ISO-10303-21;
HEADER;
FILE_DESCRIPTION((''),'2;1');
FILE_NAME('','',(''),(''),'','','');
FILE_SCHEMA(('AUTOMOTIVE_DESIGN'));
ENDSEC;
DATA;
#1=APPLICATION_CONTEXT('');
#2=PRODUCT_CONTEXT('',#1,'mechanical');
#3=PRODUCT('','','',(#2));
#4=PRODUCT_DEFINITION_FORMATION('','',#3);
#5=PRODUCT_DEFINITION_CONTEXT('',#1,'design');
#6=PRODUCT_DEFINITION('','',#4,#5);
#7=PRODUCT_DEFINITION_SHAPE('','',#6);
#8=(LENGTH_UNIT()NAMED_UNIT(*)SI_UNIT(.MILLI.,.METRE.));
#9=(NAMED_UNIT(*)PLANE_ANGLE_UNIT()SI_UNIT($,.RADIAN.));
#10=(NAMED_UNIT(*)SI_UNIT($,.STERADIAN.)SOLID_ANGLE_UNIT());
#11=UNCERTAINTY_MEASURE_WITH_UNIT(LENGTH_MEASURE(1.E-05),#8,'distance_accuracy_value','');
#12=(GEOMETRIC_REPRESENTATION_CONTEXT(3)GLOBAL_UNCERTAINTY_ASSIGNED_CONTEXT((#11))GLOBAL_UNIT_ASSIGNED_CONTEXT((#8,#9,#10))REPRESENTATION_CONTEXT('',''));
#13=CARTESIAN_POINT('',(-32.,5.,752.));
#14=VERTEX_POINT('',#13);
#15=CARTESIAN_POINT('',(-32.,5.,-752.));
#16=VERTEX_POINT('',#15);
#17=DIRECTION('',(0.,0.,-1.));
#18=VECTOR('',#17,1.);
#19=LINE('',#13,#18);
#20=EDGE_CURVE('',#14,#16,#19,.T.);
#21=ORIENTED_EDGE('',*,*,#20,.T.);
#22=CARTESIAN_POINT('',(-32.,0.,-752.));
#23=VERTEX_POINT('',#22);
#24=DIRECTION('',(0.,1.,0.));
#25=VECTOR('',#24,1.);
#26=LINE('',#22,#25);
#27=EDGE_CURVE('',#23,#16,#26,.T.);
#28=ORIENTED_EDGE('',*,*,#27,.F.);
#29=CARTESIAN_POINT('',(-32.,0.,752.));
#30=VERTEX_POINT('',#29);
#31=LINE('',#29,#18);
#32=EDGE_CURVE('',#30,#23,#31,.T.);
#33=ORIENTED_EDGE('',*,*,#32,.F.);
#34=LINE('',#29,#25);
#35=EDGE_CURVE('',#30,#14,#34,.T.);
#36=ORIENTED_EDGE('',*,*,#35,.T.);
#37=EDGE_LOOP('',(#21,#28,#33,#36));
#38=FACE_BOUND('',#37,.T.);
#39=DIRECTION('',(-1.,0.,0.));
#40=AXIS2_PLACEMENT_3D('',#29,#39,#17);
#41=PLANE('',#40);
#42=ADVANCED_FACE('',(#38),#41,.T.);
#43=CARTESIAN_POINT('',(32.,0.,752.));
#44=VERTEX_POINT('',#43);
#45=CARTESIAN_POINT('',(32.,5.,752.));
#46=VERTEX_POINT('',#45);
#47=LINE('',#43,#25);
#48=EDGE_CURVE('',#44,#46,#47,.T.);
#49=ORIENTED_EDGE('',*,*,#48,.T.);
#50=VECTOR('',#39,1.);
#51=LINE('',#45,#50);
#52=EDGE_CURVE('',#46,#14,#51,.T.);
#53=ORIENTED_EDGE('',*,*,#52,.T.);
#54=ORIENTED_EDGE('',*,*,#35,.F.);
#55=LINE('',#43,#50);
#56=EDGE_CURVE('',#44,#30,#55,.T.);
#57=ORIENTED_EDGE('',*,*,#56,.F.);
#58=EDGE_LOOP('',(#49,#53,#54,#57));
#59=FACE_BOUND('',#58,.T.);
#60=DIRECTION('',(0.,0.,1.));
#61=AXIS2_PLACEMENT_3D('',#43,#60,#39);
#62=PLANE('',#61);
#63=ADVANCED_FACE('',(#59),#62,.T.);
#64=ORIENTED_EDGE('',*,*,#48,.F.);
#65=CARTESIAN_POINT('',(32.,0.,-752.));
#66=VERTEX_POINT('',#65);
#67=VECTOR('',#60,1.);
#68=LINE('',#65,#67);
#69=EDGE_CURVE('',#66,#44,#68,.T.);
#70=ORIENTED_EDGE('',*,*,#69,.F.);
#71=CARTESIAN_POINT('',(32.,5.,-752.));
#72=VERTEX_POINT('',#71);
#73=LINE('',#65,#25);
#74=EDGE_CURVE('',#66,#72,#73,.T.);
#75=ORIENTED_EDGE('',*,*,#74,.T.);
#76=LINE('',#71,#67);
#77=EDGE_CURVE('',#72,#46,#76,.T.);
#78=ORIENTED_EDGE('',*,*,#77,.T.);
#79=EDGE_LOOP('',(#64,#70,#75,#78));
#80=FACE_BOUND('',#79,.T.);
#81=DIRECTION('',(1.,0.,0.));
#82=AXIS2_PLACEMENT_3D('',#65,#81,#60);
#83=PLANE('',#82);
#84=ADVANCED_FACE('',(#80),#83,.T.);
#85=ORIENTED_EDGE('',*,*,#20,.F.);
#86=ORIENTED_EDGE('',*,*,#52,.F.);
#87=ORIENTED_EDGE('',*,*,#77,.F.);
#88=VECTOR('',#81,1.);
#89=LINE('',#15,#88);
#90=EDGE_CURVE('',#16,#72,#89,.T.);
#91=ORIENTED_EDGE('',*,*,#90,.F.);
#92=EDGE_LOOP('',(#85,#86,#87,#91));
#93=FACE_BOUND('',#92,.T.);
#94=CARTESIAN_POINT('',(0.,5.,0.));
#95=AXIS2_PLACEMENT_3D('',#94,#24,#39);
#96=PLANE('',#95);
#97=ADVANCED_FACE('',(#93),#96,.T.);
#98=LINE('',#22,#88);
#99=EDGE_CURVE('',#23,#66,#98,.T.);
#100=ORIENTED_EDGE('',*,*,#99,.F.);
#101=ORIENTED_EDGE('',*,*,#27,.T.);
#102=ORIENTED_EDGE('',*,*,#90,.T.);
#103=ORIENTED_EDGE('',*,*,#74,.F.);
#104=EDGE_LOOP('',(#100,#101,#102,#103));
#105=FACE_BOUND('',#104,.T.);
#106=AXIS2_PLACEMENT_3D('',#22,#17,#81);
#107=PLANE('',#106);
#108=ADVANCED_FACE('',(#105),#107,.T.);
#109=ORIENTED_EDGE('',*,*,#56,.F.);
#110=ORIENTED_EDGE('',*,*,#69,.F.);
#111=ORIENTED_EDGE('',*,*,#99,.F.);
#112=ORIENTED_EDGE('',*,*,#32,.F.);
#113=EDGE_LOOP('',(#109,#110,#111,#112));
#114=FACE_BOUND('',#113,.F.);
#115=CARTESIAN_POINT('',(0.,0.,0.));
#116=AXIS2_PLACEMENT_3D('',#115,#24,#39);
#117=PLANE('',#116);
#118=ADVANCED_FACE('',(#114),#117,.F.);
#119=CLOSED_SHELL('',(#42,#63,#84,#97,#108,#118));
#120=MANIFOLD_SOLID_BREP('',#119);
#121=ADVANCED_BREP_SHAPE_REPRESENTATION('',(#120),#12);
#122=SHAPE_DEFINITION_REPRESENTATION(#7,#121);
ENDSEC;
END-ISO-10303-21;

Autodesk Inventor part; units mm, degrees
ref_plane "YZ Plane" through (0, 0, 0) normal (1, 0, 0) x (0, 1, 0)
ref_plane "XZ Plane" through (0, 0, 0) normal (0, 1, 0) x (-1, 0, 0)
ref_plane "XY Plane" through (0, 0, 0) normal (0, 0, 1) x (1, 0, 0)
sketch "Эскиз1" plane through (0, 0, 0) normal (0, 1, 0) x (-1, 0, 0)
  line L0 (-32, 752) -> (32, 752)
  line L1 (32, 752) -> (32, -752)
  line L2 (32, -752) -> (-32, -752)
  line L3 (-32, -752) -> (-32, 752)
  line L4 (-32, 752) -> (32, -752) construction
  line L5 (32, 752) -> (-32, -752) construction
  point P0 (0, 0)
  dimension "d0" = 64
  dimension "d1" = 1504
extrude "Пластина1" add sketch "Эскиз1" along normal blind 5
equation "\"d2\" = Толщина"
equation "\"Радиус_гибки\" = Толщина"
equation "\"Ширина_просечки\" = Толщина"
equation "\"Глубина_просечки\" = 0.5 * Толщина"
equation "\"Радиус_перехода\" = Радиус_гибки"
equation "\"Радиус_Якоби\" = Радиус_гибки"
equation "\"Размер_зазора\" = Толщина"
equation "\"Толщина\" = 5"
properties part number "0923_CPY1"
